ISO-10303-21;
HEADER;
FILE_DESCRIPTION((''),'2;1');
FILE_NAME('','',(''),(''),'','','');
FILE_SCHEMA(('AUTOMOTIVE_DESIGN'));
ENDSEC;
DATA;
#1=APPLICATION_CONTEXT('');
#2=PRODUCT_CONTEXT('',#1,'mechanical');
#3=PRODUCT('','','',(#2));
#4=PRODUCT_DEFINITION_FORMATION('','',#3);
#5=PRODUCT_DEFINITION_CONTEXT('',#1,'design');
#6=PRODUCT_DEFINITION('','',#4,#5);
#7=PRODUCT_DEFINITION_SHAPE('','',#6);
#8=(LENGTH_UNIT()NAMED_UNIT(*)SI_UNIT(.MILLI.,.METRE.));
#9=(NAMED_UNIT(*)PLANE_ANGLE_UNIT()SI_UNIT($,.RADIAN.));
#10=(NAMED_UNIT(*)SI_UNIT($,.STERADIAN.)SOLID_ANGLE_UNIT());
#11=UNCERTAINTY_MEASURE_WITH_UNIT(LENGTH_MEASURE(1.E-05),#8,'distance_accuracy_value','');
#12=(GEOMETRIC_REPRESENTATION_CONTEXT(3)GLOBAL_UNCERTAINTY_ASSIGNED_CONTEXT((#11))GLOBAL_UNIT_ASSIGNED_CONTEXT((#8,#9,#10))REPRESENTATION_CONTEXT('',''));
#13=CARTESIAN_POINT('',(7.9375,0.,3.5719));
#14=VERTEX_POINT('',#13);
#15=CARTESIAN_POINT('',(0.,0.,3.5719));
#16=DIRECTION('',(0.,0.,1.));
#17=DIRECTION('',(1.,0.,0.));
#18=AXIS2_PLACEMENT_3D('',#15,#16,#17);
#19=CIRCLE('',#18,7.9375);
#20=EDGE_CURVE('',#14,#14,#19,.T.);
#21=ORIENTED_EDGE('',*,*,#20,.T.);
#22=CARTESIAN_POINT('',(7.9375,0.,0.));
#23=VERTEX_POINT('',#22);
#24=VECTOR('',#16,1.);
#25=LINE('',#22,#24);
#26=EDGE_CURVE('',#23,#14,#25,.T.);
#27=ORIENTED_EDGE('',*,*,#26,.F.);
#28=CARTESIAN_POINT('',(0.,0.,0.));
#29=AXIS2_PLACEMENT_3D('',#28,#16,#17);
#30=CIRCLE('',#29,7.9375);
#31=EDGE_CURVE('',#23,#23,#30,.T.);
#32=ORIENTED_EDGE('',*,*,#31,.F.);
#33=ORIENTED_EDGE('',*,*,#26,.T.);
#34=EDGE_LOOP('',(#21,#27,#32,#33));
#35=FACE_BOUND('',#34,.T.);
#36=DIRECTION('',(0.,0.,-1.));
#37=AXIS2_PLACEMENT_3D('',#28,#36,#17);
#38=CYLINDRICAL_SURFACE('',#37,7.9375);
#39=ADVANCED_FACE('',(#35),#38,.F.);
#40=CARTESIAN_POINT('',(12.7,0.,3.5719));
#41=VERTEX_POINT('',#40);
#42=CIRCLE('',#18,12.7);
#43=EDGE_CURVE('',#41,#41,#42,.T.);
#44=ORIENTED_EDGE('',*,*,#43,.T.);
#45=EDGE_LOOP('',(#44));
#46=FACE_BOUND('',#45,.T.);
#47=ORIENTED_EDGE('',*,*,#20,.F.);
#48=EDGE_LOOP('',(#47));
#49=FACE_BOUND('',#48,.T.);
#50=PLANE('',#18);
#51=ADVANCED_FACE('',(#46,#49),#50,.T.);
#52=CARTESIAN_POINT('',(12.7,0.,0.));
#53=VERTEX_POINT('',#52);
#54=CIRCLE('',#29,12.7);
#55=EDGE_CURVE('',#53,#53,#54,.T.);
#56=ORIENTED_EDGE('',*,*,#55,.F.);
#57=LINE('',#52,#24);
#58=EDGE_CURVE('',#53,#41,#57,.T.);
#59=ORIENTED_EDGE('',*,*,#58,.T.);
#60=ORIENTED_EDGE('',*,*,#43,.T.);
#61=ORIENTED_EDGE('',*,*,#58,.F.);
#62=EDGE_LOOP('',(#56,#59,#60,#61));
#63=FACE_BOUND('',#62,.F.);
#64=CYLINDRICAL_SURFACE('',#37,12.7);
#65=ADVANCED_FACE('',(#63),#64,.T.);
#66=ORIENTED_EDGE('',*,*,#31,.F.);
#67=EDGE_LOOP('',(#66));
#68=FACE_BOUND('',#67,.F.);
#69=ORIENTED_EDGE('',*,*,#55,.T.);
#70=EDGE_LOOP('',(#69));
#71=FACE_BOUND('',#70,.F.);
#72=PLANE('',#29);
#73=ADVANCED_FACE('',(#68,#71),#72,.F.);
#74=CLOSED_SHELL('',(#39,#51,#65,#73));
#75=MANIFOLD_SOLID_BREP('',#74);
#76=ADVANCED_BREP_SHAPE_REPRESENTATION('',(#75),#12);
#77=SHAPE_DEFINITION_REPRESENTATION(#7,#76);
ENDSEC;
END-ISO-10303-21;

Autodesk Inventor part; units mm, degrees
ref_plane "YZ Plane" through (0, 0, 0) normal (1, 0, 0) x (0, 1, 0)
ref_plane "XZ Plane" through (0, 0, 0) normal (0, 1, 0) x (-1, 0, 0)
ref_plane "XY Plane" through (0, 0, 0) normal (0, 0, 1) x (1, 0, 0)
sketch "Sketch1" plane through (0, 0, 0) normal (0, 0, 1) x (1, 0, 0)
  circle A0 centre (0, 0) radius 7.9375
  circle A1 centre (0, 0) radius 12.7
  dimension "d0" = 15.875
  dimension "d2" = 25.4
extrude "Extrusion1" add sketch "Sketch1" along normal blind 3.5719
properties part number "Thrust Bearing Assembly Bushing 1.000 Shaft Diameter 21-64 Long"
